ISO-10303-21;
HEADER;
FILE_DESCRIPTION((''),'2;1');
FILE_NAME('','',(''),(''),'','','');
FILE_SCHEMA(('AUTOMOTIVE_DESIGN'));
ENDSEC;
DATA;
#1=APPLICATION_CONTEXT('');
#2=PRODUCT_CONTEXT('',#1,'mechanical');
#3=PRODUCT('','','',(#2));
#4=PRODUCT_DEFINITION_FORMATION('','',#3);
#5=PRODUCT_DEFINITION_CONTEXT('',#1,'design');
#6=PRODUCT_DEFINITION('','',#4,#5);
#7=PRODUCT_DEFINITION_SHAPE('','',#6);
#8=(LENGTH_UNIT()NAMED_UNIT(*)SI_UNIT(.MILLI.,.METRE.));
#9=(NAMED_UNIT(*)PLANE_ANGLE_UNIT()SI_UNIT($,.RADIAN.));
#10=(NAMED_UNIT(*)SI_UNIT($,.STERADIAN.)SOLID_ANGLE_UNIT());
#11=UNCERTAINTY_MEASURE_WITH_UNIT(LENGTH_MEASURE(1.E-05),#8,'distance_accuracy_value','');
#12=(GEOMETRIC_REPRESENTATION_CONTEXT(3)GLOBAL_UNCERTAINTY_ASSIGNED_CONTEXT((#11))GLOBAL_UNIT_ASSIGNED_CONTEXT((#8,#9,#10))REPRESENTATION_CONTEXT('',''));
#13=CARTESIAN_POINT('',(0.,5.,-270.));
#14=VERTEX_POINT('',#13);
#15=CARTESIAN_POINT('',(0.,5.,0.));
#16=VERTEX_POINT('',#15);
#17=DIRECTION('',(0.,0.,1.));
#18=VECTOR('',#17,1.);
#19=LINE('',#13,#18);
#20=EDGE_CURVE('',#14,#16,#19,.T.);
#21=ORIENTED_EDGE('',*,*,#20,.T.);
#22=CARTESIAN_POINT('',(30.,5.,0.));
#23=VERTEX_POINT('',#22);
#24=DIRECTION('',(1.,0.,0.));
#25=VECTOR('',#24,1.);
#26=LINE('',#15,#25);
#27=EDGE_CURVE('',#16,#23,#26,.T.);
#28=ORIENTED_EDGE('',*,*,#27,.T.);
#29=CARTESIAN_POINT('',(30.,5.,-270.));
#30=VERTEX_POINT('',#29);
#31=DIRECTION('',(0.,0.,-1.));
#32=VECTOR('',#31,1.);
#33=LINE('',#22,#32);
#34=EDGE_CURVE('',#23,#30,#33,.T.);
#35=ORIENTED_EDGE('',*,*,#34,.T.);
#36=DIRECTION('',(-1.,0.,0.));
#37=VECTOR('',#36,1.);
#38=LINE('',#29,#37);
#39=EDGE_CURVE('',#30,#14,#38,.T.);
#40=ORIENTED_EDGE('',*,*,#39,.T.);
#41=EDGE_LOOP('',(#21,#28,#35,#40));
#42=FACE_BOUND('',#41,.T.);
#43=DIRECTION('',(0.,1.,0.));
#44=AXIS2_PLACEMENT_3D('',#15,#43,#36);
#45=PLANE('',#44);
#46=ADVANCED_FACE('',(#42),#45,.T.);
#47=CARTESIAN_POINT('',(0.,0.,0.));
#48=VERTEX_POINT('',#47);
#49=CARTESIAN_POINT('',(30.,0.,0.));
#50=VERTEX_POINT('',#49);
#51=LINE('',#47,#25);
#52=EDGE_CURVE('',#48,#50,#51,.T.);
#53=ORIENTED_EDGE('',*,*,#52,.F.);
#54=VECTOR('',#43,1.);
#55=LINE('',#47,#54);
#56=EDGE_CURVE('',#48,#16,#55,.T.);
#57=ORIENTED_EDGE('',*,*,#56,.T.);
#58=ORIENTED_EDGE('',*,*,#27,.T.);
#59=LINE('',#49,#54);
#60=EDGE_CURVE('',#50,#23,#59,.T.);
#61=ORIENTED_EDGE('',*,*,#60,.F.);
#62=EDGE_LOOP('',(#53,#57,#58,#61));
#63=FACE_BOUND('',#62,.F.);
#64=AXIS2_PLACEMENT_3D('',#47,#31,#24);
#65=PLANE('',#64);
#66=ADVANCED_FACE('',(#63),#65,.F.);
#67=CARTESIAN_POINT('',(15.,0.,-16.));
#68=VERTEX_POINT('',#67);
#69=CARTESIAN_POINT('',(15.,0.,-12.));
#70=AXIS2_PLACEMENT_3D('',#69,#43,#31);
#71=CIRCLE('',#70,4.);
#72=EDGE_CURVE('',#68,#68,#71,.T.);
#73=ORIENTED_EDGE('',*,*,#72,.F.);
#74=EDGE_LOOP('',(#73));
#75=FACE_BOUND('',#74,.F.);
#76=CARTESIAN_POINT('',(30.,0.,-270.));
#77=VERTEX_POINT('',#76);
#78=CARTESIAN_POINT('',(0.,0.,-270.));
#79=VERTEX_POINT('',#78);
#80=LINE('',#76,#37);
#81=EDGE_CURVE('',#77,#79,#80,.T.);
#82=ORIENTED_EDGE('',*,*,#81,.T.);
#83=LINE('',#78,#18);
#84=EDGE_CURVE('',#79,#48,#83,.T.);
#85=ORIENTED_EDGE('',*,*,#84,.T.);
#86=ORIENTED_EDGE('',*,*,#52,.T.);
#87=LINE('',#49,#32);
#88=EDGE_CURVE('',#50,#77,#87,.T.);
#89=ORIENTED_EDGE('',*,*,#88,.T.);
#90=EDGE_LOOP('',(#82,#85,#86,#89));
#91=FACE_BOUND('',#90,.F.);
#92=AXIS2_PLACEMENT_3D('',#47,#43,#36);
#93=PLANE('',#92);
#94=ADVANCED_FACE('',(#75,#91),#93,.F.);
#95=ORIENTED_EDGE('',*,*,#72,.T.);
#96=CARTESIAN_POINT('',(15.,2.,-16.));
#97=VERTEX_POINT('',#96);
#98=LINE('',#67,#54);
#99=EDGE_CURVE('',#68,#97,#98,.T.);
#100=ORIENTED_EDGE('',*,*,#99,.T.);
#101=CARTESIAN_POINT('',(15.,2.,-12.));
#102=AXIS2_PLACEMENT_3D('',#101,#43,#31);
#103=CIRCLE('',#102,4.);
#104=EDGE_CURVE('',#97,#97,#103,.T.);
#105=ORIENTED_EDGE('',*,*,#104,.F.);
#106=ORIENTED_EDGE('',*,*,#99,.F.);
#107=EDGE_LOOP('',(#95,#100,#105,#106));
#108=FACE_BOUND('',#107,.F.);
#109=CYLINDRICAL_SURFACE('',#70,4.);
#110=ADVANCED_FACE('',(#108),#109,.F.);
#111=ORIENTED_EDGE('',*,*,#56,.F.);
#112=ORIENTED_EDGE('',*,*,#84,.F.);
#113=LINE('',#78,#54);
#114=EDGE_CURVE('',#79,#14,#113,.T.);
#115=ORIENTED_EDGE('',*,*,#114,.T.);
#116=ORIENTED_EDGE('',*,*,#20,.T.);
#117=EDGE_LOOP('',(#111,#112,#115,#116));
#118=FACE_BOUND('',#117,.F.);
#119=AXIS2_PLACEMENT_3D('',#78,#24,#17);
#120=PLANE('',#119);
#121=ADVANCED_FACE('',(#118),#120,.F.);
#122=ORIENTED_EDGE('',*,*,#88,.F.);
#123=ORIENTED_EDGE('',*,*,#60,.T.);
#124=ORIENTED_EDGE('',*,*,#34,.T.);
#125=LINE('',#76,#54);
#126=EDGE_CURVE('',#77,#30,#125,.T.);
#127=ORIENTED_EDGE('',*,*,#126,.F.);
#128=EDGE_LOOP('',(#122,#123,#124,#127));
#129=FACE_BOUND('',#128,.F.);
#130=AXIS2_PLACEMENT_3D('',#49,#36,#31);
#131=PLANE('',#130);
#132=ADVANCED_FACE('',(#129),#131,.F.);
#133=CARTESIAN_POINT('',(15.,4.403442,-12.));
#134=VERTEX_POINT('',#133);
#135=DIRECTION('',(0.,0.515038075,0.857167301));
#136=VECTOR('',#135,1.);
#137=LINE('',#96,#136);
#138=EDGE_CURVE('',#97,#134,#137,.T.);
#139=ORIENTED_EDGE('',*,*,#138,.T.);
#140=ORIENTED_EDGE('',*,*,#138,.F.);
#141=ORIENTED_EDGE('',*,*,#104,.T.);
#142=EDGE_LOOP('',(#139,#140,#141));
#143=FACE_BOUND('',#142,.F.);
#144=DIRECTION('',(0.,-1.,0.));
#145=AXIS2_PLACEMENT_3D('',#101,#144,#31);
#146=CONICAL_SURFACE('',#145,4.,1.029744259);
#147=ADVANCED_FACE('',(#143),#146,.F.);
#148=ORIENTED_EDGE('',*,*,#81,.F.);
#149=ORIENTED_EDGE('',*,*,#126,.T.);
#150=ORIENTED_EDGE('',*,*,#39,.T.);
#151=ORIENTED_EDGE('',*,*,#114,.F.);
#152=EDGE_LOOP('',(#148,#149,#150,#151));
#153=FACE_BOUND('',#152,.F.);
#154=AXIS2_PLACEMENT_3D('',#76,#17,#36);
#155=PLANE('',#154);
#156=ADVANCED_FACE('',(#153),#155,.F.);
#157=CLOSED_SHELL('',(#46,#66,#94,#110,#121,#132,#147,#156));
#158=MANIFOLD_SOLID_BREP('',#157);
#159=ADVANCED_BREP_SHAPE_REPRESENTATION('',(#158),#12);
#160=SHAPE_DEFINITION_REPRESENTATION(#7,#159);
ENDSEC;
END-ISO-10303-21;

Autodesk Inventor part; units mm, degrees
ref_plane "YZ Plane" through (0, 0, 0) normal (1, 0, 0) x (0, 1, 0)
ref_plane "XZ Plane" through (0, 0, 0) normal (0, 1, 0) x (-1, 0, 0)
ref_plane "XY Plane" through (0, 0, 0) normal (0, 0, 1) x (1, 0, 0)
sketch "スケッチ1" plane through (0, 0, 0) normal (0, 1, 0) x (-1, 0, 0)
  line L0 (0, 0) -> (-30, 0)
  line L1 (-30, 0) -> (-30, -270)
  line L2 (-30, -270) -> (0, -270)
  line L3 (0, -270) -> (0, 0)
  dimension "d0" = 270
  dimension "d1" = 30
extrude "押し出し1" add sketch "スケッチ1" along normal blind 5
sketch "スケッチ2" plane through (0, 0, 0) normal (0, -1, 0) x (1, 0, 0)
  line L0 (0, -270) -> (0, 0) projected
  line L1 (0, 0) -> (30, 0) projected
  point P0 (15, -12)
  dimension "d4" = 15
  dimension "d5" = 12
hole "穴1" at (15, 0, -12) direction (0, 1, 0) diameter 8 depth 2 tip angle 118
properties part number "横長3rdフラットバー"
